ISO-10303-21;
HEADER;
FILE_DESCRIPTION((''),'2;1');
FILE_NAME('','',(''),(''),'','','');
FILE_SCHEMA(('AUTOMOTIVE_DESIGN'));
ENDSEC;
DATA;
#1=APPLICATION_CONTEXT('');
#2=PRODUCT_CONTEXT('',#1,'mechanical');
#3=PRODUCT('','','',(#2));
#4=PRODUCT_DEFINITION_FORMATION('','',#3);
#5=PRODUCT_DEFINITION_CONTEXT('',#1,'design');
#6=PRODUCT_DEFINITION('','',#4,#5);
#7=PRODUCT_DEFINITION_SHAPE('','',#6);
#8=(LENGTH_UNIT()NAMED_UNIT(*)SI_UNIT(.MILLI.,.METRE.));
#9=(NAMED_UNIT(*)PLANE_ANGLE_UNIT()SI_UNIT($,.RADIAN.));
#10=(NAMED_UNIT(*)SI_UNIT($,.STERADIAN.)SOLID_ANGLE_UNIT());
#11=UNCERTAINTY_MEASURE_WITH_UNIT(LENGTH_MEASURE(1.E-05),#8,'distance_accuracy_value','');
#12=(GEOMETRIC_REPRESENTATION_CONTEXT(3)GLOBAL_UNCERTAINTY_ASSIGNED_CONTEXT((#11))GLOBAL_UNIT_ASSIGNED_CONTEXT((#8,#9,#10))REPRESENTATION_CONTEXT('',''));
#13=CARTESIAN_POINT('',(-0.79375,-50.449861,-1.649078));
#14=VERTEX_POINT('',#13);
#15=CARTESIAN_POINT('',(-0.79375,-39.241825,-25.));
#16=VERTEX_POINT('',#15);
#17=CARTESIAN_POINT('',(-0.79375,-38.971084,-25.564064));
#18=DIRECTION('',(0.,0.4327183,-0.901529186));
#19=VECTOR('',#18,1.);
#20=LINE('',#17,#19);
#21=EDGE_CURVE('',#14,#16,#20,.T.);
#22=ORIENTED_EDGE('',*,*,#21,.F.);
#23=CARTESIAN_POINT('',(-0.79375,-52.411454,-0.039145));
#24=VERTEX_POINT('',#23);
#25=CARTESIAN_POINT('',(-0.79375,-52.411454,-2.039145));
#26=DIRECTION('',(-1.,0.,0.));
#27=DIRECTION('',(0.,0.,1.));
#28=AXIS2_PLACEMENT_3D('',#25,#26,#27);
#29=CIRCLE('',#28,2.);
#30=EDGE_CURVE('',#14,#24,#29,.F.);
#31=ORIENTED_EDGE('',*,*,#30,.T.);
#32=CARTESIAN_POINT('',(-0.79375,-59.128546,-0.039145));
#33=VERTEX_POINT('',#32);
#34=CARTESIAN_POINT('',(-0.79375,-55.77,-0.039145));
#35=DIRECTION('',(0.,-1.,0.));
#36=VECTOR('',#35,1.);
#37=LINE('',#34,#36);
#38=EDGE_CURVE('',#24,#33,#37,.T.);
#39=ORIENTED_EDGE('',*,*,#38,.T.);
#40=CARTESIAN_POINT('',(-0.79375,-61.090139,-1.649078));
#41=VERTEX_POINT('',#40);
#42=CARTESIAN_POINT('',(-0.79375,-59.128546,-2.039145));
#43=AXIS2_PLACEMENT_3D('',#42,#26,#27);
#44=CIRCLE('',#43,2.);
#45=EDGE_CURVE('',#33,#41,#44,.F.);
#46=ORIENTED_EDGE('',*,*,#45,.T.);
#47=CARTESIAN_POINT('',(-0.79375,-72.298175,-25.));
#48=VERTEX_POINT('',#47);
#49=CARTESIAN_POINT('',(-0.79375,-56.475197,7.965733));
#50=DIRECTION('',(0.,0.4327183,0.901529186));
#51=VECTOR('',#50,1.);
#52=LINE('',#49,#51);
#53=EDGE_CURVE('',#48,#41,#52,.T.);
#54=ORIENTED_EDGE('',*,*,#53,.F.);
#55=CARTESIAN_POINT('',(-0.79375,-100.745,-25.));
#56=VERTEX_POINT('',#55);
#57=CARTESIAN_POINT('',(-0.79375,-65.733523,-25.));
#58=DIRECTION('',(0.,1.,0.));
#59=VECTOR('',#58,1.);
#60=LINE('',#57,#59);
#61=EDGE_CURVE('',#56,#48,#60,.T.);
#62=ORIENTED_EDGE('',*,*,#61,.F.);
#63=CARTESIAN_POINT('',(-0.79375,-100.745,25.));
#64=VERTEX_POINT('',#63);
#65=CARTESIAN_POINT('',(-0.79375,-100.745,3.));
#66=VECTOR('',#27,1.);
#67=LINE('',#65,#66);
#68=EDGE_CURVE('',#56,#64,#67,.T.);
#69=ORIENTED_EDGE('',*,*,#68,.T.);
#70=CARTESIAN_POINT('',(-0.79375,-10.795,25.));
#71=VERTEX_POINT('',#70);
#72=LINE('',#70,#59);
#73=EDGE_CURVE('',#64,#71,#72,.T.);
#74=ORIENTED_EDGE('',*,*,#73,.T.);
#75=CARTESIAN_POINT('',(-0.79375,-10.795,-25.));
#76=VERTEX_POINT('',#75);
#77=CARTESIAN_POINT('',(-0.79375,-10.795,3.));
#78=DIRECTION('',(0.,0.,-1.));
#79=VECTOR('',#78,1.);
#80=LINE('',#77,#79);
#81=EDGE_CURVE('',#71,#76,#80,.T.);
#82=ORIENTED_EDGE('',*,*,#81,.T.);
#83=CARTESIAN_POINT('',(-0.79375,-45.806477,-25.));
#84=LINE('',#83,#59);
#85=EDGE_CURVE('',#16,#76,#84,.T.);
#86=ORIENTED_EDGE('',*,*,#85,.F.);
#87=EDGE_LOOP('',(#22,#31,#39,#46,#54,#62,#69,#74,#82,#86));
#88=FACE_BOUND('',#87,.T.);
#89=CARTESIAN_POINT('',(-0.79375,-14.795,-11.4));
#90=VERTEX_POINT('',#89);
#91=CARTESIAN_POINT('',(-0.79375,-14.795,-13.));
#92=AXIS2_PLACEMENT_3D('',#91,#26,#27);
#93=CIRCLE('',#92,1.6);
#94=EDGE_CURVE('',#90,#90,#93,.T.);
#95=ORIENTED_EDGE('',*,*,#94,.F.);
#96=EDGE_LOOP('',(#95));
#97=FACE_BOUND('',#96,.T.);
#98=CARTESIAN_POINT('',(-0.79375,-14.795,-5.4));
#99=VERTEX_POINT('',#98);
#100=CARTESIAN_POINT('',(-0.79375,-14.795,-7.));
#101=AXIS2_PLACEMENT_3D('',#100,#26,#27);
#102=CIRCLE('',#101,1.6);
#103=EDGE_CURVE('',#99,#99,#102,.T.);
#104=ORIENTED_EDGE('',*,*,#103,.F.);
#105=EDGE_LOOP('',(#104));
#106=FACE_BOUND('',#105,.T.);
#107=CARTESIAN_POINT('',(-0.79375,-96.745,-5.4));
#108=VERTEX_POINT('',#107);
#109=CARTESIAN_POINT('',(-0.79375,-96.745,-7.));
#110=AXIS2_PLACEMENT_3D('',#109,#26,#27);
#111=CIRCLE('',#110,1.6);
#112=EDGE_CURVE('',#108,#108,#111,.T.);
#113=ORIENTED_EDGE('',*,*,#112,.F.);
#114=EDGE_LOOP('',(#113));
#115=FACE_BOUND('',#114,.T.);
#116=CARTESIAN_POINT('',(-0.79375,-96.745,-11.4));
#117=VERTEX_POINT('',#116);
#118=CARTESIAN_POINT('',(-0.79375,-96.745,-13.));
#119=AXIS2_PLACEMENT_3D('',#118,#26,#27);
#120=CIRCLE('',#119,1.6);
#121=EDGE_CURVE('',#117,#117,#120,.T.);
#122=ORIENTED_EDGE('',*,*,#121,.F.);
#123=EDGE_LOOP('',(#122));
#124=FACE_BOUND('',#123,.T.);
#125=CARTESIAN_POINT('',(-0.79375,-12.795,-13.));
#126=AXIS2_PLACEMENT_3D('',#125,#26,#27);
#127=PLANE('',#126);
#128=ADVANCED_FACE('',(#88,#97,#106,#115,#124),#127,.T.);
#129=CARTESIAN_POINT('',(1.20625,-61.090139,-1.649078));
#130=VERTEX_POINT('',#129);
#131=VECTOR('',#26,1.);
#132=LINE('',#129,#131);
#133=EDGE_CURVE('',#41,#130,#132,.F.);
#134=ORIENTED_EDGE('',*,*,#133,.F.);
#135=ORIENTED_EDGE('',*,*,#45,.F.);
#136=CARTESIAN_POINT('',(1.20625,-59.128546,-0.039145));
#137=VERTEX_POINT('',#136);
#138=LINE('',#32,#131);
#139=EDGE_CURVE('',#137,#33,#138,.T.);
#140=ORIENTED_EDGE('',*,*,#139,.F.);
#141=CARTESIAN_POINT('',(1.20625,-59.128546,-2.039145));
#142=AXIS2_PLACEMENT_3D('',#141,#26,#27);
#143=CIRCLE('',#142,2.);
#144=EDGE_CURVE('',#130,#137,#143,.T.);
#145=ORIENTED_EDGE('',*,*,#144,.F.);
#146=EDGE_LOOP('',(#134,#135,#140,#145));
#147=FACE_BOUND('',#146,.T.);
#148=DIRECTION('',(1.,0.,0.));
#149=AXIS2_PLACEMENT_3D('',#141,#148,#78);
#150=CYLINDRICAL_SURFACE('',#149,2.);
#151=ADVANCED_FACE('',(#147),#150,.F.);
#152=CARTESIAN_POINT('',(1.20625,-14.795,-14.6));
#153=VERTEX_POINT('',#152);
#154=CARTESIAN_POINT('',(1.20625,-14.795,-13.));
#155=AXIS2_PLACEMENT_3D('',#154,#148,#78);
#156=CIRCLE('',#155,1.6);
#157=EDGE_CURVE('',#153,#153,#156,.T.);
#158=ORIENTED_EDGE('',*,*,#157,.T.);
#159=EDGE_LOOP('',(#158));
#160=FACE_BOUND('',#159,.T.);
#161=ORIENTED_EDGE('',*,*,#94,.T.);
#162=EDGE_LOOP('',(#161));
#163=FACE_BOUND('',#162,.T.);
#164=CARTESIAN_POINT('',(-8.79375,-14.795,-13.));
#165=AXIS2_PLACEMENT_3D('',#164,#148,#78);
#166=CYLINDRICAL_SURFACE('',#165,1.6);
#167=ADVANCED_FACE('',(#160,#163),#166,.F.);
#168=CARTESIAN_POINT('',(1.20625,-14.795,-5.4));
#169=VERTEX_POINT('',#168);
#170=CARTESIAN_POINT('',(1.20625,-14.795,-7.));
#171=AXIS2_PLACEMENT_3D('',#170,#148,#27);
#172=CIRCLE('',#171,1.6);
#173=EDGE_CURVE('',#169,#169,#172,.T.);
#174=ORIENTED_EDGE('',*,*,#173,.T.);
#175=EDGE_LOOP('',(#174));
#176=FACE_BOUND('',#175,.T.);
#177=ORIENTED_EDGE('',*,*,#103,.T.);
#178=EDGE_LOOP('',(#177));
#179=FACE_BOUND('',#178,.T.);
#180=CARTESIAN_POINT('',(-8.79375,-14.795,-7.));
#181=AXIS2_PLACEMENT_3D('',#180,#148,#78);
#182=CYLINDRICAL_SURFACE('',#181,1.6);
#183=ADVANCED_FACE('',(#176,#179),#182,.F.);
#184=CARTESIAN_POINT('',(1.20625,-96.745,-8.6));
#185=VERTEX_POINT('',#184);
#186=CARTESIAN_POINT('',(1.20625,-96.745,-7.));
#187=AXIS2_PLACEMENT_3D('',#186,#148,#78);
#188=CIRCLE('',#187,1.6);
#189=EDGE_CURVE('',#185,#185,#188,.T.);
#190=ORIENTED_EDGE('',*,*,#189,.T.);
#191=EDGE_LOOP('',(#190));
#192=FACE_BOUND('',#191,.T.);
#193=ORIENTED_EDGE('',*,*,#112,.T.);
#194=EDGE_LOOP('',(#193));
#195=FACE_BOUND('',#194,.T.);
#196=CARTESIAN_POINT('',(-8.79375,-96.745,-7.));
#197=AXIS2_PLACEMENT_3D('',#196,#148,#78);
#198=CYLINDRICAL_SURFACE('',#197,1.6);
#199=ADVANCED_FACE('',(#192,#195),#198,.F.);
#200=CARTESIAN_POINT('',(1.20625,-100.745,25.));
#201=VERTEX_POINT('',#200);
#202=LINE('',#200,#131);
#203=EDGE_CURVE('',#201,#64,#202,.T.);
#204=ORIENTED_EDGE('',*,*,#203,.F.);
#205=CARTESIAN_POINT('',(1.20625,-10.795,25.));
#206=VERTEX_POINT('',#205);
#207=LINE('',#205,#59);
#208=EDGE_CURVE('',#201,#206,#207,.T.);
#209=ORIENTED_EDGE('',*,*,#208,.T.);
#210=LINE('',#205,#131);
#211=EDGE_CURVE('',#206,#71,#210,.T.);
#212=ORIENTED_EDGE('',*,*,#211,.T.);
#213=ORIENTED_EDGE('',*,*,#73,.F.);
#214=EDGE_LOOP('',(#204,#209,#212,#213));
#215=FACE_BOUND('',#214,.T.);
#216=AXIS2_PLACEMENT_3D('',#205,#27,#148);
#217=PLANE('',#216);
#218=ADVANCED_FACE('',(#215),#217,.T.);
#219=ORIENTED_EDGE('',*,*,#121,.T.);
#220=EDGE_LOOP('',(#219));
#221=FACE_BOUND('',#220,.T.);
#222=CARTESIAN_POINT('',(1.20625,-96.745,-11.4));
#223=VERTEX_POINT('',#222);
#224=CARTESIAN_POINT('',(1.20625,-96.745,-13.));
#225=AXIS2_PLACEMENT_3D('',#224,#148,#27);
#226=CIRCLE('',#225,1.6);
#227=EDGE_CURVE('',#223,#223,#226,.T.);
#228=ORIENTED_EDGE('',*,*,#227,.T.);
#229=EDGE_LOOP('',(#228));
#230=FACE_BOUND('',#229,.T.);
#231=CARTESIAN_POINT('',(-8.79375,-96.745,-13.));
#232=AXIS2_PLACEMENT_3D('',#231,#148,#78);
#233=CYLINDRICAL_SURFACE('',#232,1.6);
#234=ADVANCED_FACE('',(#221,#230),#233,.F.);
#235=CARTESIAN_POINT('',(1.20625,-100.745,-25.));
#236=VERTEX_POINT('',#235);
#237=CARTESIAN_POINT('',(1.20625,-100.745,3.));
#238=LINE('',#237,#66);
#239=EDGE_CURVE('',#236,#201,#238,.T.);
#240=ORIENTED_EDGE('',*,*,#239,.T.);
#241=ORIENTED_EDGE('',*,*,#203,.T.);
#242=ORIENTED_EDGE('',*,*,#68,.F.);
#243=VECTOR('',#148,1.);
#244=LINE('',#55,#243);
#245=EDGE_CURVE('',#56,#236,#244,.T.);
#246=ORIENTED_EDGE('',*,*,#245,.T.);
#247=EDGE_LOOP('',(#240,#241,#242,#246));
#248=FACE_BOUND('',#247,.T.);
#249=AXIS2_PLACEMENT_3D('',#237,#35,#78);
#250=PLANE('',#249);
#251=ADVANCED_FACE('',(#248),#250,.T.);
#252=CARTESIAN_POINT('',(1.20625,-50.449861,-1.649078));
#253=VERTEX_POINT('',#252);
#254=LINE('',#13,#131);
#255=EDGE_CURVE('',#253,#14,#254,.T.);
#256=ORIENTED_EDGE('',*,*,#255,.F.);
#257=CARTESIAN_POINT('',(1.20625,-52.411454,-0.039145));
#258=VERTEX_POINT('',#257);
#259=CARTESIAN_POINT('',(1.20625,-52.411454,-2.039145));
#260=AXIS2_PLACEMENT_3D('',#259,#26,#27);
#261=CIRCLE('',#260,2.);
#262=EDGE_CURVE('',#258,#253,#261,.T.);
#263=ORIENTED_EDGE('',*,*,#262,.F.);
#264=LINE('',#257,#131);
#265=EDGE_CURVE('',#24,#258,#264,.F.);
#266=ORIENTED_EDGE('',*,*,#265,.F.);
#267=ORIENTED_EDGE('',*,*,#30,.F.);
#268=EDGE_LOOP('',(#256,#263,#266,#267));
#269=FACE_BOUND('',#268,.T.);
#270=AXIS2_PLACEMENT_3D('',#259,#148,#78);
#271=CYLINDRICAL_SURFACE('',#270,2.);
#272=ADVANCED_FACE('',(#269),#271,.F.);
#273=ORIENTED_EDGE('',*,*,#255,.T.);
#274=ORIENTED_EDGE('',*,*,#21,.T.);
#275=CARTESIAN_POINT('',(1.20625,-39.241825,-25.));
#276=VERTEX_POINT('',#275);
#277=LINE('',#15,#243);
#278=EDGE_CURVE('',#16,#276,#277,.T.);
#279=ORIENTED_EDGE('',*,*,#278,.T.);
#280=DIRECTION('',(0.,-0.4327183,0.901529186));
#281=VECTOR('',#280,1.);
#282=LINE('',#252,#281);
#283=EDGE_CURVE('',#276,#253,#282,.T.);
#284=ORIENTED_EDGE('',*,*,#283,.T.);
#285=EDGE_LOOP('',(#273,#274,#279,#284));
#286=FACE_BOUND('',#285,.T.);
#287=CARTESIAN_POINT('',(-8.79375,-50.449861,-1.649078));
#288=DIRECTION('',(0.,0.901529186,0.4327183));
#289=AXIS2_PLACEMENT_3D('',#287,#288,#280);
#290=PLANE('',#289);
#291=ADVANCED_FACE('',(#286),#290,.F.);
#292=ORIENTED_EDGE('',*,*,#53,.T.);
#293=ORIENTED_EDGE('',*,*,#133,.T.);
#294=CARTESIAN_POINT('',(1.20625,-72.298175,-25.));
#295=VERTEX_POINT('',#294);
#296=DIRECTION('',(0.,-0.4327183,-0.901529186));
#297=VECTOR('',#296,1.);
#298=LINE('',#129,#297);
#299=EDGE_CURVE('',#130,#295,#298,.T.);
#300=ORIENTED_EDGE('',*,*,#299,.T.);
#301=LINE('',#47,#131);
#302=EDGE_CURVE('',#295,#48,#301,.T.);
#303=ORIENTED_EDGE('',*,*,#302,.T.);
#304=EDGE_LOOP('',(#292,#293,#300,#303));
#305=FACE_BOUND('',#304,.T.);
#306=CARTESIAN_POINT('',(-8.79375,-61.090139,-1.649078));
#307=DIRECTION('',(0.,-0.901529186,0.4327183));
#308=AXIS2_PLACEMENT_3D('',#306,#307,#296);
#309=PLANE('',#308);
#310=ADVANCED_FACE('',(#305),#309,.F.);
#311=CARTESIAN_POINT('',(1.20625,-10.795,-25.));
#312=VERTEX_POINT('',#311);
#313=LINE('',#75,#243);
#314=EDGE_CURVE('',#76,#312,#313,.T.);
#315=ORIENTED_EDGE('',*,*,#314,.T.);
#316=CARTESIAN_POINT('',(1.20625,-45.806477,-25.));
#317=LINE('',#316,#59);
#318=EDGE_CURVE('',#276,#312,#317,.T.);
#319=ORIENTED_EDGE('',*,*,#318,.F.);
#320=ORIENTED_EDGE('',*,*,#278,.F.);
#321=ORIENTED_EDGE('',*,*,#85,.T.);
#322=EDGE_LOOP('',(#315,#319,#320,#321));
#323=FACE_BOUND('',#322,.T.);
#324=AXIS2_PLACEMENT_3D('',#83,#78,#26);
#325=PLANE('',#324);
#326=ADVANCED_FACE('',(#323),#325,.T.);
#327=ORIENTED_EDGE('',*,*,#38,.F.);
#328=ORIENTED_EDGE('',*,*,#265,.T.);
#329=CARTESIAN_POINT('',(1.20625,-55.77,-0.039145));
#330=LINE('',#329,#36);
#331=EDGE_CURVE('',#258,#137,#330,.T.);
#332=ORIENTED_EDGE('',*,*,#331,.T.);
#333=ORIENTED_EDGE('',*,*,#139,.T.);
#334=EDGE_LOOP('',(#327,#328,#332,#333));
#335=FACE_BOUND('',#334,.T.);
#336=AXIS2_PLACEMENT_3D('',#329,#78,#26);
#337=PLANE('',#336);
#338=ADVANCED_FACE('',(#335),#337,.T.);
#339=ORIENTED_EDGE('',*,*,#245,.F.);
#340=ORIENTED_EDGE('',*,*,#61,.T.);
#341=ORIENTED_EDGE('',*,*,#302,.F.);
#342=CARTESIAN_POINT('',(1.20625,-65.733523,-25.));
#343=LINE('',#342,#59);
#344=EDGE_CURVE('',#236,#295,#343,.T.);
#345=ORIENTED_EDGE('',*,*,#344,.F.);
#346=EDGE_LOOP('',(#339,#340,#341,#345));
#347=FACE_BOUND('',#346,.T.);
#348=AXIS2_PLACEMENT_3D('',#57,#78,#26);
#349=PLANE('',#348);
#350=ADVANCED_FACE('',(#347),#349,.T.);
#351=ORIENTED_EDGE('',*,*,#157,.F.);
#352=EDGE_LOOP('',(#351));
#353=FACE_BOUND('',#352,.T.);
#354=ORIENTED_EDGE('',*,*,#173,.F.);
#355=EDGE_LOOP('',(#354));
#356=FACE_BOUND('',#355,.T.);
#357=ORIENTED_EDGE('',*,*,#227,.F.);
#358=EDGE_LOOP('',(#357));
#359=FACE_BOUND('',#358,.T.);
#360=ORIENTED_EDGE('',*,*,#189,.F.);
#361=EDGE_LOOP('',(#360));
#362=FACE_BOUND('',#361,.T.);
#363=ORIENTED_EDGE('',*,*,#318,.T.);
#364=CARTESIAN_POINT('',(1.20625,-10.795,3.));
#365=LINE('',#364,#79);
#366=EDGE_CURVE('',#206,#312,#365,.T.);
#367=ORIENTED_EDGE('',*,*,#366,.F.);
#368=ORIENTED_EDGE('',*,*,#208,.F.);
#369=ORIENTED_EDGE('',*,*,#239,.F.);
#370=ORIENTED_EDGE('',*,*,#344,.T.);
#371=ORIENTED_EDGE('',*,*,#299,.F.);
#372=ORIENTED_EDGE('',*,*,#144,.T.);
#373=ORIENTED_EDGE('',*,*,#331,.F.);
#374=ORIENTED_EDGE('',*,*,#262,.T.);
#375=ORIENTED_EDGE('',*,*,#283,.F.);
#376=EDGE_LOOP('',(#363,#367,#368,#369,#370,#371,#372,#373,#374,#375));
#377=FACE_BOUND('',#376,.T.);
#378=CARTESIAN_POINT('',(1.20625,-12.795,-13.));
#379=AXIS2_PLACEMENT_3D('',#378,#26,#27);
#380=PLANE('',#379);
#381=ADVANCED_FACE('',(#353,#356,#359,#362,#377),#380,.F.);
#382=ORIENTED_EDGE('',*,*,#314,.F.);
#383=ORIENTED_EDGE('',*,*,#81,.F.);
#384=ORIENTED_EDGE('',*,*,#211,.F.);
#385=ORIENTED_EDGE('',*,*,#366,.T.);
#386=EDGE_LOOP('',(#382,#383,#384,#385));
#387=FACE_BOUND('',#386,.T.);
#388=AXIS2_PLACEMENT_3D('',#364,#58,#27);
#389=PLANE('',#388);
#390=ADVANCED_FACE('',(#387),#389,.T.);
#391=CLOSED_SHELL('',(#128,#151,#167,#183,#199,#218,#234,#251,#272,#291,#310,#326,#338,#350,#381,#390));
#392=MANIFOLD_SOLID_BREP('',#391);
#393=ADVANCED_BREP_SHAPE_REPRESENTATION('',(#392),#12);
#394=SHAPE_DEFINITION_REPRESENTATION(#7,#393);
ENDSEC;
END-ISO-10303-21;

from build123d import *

# Parameters (mm, degrees)
EXTRUDE_1_DEPTH     = 2
FILLET_1_R          = 2
FILLET_2_R          = 2
FILLET_3_R          = 2
FILLET_4_R          = 2
SKETCH_2_W          = 12
SKETCH_2_H          = 89.95
EXTRUDE_2_DEPTH     = 2
CUT_EXTRUDE_1_DEPTH = 10
SKETCH_6_R          = 1.6
CUT_EXTRUDE_2_DEPTH = 10
SKETCH_7_W          = 10
SKETCH_7_H          = 89.95
EXTRUDE_3_DEPTH     = 2


with BuildPart() as part:
    # 草图1 → 凸台-拉伸1 (new body)
    with BuildSketch(Plane(origin=(-0.79375, 0, 0), x_dir=(0, -1, 0), z_dir=(-1, 0, 0))):
        with BuildLine():
            Line((38.795, 5), (12.795, 5))
            ThreePointArc((12.795, 5), (11.380786438, 4.414213562), (10.795, 3))
            Line((10.795, 3), (10.795, -13))
            ThreePointArc((10.795, -13), (11.380786438, -14.414213562), (12.795, -15))
            Line((12.795, -15), (47.795, -15))
            Line((47.795, -15), (50.77, -0.039144756))
            Line((50.77, -0.039144756), (55.77, -0.039144756))
            Line((55.77, -0.039144756), (60.77, -0.039144756))
            Line((60.77, -0.039144756), (63.745, -15))
            Line((63.745, -15), (98.745, -15))
            ThreePointArc((98.745, -15), (100.159213562, -14.414213562), (100.745, -13))
            Line((100.745, -13), (100.745, 3))
            ThreePointArc((100.745, 3), (100.159213562, 4.414213562), (98.745, 5))
            Line((98.745, 5), (72.745, 5))
            Line((72.745, 5), (38.795, 5))
        make_face()
    extrude(amount=-EXTRUDE_1_DEPTH)

    # 圆角1
    fillet_1_edges = [part.edges().sort_by_distance(p)[0] for p in [
        (0.20625, -47.795, -15),
    ]]
    fillet(fillet_1_edges, radius=FILLET_1_R)

    # 圆角2
    fillet_2_edges = [part.edges().sort_by_distance(p)[0] for p in [
        (0.20625, -50.77, -0.039144756),
    ]]
    fillet(fillet_2_edges, radius=FILLET_2_R)

    # 圆角3
    fillet_3_edges = [part.edges().sort_by_distance(p)[0] for p in [
        (0.20625, -60.77, -0.039144756),
    ]]
    fillet(fillet_3_edges, radius=FILLET_3_R)

    # 圆角4
    fillet_4_edges = [part.edges().sort_by_distance(p)[0] for p in [
        (0.20625, -63.745, -15),
    ]]
    fillet(fillet_4_edges, radius=FILLET_4_R)

    # 草图2 → 凸台-拉伸2 (add)
    with BuildSketch(Plane(origin=(1.20625, 0, 0), x_dir=(0, 0, -1), z_dir=(1, 0, 0))):
        with Locations((-9, -55.77)):
            Rectangle(SKETCH_2_W, SKETCH_2_H)
        Polygon((13.39006724, -48.115138781), (25, -45.806477318), (25, -10.795), (13, -10.795), align=None)
        Polygon((13.39006724, -63.424861219), (25, -65.733522682), (25, -100.745), (13, -100.745), align=None)
    extrude(amount=-EXTRUDE_2_DEPTH)

    # 草图5 → 切除-拉伸1 (cut)
    with BuildSketch(Plane(origin=(1.20625, 0, 0), x_dir=(0, 0, -1), z_dir=(1, 0, 0))):
        Polygon((1.649077515, -50.449861219), (25, -45.806477318), (25, -39.241825321), align=None)
        Polygon((1.649077515, -61.090138781), (25, -72.298174679), (25, -65.733522682), align=None)
    extrude(amount=-CUT_EXTRUDE_1_DEPTH, mode=Mode.SUBTRACT)

    # 草图6 → 切除-拉伸2 (cut)
    with BuildSketch(Plane(origin=(1.20625, 0, 0), x_dir=(0, 0, -1), z_dir=(1, 0, 0))):
        with Locations((13, -14.795)):
            Circle(SKETCH_6_R)
        with Locations((7, -14.795)):
            Circle(SKETCH_6_R)
        with Locations((13, -96.745)):
            Circle(SKETCH_6_R)
        with Locations((7, -96.745)):
            Circle(SKETCH_6_R)
    extrude(amount=-CUT_EXTRUDE_2_DEPTH, mode=Mode.SUBTRACT)

    # 草图7 → 凸台-拉伸3 (add)
    with BuildSketch(Plane.ZY.offset(0.79375)):
        with Locations((20, -55.77)):
            Rectangle(SKETCH_7_W, SKETCH_7_H)
    extrude(amount=-EXTRUDE_3_DEPTH)


solid = part.part
